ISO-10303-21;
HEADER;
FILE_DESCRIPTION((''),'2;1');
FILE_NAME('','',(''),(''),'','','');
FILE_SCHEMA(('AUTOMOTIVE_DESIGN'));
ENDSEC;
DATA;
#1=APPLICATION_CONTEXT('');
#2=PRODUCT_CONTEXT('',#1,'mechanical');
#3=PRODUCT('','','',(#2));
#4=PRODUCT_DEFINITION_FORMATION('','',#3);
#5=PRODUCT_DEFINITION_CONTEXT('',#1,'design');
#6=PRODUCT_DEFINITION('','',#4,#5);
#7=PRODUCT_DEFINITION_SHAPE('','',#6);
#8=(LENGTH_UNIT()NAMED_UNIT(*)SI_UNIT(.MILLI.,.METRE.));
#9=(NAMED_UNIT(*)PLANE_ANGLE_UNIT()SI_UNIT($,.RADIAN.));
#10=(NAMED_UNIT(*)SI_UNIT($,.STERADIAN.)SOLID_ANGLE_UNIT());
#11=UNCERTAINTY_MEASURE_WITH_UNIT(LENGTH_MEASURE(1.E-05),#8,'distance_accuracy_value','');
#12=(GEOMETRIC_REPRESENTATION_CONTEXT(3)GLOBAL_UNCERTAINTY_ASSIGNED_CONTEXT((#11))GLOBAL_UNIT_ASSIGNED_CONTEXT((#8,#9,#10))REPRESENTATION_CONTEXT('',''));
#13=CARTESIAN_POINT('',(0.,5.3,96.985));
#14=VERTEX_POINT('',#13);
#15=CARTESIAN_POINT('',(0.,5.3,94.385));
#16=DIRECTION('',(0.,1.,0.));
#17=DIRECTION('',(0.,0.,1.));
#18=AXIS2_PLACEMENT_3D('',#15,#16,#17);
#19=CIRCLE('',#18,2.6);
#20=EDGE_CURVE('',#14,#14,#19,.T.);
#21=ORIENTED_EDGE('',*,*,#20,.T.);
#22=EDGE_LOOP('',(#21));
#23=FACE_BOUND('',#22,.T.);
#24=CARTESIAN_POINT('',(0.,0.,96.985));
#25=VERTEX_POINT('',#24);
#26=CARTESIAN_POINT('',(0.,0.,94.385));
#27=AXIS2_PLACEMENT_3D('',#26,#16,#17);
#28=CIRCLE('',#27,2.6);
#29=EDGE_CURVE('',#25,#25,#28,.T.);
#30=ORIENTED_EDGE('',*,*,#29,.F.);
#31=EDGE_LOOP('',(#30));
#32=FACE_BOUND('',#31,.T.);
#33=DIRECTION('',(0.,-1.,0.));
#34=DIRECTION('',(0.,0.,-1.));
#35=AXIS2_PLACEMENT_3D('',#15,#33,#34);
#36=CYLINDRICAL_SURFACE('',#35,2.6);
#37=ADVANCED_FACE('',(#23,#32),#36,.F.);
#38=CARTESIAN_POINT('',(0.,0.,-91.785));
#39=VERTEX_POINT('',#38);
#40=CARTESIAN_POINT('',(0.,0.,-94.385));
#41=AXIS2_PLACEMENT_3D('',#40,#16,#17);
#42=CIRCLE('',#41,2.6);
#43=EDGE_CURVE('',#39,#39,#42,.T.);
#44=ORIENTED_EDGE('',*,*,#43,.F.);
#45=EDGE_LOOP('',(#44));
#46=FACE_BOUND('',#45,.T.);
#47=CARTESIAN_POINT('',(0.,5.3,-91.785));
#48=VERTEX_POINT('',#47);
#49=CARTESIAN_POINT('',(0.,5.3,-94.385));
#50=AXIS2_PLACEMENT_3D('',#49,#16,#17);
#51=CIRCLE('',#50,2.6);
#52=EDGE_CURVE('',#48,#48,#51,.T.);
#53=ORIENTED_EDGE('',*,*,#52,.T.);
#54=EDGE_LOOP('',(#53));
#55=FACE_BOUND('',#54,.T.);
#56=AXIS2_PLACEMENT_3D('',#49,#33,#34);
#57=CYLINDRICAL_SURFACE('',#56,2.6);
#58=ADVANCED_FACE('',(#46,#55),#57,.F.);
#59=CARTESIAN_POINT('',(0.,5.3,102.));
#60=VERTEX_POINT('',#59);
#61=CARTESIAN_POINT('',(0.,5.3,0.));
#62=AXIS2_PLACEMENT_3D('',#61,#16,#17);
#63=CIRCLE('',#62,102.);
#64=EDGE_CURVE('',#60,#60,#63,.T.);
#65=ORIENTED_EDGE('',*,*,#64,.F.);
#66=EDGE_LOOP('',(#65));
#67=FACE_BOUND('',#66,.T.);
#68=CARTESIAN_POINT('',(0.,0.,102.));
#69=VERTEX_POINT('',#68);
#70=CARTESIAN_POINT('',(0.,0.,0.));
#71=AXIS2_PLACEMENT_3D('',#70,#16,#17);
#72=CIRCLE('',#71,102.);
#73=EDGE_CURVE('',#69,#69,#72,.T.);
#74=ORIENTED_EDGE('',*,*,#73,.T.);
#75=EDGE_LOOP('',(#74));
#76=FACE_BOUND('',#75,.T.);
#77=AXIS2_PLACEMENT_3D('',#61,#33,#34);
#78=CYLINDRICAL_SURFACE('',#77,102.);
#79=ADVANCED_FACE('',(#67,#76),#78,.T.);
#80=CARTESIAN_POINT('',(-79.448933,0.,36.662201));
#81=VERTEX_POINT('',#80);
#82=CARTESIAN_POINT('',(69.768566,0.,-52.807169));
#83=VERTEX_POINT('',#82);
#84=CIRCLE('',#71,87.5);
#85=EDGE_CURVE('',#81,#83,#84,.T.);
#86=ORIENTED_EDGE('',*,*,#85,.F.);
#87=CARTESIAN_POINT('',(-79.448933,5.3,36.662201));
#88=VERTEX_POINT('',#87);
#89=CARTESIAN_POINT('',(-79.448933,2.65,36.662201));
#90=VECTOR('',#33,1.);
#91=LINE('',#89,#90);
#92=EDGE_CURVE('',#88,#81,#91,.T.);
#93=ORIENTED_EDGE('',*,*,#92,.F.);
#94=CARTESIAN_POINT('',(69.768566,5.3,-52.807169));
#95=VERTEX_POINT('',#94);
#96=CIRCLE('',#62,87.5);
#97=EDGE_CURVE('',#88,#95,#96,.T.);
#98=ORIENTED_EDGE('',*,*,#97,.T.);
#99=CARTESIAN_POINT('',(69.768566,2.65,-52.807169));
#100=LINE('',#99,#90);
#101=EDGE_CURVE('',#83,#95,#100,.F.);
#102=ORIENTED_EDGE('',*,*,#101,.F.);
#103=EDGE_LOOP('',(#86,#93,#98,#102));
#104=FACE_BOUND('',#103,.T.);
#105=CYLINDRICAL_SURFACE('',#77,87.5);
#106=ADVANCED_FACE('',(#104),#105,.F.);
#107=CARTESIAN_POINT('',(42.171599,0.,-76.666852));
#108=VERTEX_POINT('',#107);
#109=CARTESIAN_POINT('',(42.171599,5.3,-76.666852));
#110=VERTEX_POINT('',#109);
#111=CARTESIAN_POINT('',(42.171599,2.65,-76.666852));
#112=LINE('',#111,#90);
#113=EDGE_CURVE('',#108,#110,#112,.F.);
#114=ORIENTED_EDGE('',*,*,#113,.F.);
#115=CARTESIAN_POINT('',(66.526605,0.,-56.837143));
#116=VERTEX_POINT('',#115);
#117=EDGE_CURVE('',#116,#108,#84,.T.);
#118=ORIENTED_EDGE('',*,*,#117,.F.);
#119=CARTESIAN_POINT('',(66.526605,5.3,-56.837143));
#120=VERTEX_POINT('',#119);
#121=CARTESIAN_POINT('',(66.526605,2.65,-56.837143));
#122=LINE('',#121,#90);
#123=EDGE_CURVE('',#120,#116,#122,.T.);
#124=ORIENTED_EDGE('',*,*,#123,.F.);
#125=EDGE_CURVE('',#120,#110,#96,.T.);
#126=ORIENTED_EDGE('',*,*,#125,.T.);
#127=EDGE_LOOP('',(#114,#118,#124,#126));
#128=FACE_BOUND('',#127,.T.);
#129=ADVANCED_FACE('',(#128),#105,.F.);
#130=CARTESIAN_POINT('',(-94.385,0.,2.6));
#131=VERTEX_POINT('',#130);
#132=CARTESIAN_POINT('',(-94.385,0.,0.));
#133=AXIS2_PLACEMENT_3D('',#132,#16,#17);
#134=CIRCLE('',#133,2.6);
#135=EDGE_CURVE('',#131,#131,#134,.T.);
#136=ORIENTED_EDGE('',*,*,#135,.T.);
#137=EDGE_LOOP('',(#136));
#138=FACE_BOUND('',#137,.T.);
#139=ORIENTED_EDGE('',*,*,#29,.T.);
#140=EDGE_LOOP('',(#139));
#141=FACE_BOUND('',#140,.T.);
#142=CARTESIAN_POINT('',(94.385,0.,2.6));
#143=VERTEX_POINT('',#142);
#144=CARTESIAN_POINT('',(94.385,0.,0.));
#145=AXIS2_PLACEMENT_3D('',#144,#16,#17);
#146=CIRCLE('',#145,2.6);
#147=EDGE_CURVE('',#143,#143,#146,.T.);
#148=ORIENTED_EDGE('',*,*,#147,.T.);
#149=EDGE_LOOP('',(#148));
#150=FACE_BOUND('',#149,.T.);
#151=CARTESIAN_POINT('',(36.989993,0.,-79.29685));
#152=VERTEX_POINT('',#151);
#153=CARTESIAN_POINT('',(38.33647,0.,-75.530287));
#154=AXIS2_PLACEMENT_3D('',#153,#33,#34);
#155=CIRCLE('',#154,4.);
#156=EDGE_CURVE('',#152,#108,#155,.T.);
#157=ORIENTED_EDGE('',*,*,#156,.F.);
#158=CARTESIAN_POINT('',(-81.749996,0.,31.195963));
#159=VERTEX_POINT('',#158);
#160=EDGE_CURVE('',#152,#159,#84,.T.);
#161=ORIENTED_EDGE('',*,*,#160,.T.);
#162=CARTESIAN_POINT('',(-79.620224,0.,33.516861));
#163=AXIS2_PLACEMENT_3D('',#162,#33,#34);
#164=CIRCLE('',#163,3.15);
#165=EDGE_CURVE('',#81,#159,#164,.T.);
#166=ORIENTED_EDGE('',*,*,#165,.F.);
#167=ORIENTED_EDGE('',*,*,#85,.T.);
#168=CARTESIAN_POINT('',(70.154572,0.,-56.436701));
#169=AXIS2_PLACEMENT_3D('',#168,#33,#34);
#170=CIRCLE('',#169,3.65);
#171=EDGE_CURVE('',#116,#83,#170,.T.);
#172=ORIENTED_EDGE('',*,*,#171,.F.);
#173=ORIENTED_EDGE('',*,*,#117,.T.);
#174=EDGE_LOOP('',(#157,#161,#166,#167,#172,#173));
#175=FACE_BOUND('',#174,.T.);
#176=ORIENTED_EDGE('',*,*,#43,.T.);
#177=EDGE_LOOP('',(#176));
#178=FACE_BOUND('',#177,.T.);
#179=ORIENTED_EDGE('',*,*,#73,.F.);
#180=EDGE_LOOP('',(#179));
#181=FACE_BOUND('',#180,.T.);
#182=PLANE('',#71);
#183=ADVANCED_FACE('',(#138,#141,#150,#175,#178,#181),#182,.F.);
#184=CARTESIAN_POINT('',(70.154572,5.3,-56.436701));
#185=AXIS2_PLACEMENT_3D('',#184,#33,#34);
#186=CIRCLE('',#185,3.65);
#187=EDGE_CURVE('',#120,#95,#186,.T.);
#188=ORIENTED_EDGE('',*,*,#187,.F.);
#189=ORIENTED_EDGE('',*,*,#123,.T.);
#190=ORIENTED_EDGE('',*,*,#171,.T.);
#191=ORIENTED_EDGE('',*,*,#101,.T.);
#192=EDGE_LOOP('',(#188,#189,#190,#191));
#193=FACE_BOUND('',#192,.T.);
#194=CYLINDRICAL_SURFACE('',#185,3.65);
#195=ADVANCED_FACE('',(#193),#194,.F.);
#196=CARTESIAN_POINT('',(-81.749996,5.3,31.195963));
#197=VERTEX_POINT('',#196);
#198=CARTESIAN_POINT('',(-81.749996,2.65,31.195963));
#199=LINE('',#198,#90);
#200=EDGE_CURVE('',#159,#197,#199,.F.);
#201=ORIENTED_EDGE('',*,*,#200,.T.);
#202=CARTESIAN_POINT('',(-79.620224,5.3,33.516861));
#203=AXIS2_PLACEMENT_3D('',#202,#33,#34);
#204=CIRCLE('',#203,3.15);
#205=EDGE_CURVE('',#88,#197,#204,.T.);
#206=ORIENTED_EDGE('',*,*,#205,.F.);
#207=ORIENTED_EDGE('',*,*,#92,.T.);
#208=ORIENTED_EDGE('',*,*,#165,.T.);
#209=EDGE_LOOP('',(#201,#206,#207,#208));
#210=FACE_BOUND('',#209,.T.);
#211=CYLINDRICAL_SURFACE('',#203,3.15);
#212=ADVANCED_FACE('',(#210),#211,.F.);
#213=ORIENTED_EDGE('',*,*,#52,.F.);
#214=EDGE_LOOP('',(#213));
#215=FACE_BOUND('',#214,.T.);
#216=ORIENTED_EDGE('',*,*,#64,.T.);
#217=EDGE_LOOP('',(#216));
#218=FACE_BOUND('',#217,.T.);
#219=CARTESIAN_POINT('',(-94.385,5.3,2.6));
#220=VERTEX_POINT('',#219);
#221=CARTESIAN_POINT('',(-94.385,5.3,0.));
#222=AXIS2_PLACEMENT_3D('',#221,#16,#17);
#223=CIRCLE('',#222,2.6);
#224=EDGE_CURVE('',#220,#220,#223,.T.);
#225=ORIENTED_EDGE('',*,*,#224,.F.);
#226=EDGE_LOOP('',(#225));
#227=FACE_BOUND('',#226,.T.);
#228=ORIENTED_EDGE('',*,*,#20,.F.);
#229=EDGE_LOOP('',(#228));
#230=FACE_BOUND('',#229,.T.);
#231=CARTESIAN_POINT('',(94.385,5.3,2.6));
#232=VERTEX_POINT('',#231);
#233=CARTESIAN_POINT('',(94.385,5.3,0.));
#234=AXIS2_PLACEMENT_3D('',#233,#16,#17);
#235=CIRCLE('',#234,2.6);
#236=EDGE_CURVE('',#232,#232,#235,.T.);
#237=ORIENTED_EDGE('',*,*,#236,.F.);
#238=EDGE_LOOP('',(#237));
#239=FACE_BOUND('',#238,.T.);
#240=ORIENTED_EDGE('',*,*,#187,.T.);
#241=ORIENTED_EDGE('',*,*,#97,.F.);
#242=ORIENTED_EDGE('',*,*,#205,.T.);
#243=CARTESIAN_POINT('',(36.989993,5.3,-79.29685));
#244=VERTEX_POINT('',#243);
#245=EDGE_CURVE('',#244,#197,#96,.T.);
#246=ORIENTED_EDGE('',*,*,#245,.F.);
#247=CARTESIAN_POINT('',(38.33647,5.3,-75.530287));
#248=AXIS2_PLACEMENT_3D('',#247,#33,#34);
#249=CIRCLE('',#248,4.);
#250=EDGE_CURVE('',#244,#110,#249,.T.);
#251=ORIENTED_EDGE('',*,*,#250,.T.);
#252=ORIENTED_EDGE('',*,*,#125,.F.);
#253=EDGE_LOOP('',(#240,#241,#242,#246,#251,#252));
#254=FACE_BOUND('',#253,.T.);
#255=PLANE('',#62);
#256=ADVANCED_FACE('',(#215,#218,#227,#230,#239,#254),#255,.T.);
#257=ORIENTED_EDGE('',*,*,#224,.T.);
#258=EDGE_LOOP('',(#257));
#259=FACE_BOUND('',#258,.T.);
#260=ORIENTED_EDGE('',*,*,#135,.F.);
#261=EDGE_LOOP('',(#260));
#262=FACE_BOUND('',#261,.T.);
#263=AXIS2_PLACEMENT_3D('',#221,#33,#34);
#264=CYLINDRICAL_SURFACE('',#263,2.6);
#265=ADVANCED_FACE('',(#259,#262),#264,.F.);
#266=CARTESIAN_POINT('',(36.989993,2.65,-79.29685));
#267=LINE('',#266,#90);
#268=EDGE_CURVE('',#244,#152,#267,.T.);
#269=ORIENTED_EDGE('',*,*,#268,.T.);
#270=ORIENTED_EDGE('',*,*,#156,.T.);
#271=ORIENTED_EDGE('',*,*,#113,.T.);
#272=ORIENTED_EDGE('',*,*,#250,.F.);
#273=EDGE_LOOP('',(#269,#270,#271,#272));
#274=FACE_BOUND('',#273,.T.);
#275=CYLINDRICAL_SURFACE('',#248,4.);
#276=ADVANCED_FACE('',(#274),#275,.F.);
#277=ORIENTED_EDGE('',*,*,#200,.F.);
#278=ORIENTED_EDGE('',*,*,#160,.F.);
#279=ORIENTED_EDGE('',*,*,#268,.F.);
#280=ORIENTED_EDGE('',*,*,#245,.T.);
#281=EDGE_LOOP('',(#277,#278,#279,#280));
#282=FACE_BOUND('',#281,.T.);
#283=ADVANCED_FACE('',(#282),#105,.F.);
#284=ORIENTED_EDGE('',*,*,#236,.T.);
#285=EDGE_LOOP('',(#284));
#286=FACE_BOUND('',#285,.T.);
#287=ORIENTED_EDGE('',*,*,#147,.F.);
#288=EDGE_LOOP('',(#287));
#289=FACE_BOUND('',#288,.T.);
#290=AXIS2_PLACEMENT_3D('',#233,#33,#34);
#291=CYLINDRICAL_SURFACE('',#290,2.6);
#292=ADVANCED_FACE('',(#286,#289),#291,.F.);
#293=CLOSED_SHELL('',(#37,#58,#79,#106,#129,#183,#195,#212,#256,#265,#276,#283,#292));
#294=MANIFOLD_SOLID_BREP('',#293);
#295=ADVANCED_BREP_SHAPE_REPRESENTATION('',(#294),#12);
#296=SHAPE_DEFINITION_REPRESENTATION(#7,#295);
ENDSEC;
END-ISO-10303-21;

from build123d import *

# Parameters (mm, degrees)
SKETCH_1_R          = 102
SKETCH_1_R_2        = 87.5
SKETCH_1_R_3        = 2.6
EXTRUDE_1_DEPTH     = 5.3
SKETCH_2_R          = 3.65
SKETCH_2_R_2        = 3.15
SKETCH_2_R_3        = 4
CUT_EXTRUDE_1_DEPTH = 145.347116355


with BuildPart() as part:
    # 草图1 → 凸台-拉伸1 (new body)
    with BuildSketch(Plane(origin=(0, 0, 0), x_dir=(1, 0, 0), z_dir=(0, 1, 0))):
        with Locations(Location((0, 0, 0), (0, 0, 270))):
            Circle(SKETCH_1_R)
        with Locations(Location((0, 0, 0), (0, 0, 270))):
            Circle(SKETCH_1_R_2, mode=Mode.SUBTRACT)
        with Locations(Location((0, 94.385, 0), (0, 0, 270))):
            Circle(SKETCH_1_R_3, mode=Mode.SUBTRACT)
        with Locations(Location((94.385, 0, 0), (0, 0, 270))):
            Circle(SKETCH_1_R_3, mode=Mode.SUBTRACT)
        with Locations(Location((0, -94.385, 0), (0, 0, 270))):
            Circle(SKETCH_1_R_3, mode=Mode.SUBTRACT)
        with Locations(Location((-94.385, 0, 0), (0, 0, 270))):
            Circle(SKETCH_1_R_3, mode=Mode.SUBTRACT)
    extrude(amount=EXTRUDE_1_DEPTH)

    # 草图2 → 切除-拉伸1 (cut, through all)
    with BuildSketch(Plane.XZ):
        with Locations((70.154572481, -56.436700926)):
            Circle(SKETCH_2_R)
        with Locations((-79.620223562, 33.516861428)):
            Circle(SKETCH_2_R_2)
        with Locations((38.336469882, -75.530286573)):
            Circle(SKETCH_2_R_3)
    extrude(amount=-CUT_EXTRUDE_1_DEPTH, mode=Mode.SUBTRACT)


solid = part.part
